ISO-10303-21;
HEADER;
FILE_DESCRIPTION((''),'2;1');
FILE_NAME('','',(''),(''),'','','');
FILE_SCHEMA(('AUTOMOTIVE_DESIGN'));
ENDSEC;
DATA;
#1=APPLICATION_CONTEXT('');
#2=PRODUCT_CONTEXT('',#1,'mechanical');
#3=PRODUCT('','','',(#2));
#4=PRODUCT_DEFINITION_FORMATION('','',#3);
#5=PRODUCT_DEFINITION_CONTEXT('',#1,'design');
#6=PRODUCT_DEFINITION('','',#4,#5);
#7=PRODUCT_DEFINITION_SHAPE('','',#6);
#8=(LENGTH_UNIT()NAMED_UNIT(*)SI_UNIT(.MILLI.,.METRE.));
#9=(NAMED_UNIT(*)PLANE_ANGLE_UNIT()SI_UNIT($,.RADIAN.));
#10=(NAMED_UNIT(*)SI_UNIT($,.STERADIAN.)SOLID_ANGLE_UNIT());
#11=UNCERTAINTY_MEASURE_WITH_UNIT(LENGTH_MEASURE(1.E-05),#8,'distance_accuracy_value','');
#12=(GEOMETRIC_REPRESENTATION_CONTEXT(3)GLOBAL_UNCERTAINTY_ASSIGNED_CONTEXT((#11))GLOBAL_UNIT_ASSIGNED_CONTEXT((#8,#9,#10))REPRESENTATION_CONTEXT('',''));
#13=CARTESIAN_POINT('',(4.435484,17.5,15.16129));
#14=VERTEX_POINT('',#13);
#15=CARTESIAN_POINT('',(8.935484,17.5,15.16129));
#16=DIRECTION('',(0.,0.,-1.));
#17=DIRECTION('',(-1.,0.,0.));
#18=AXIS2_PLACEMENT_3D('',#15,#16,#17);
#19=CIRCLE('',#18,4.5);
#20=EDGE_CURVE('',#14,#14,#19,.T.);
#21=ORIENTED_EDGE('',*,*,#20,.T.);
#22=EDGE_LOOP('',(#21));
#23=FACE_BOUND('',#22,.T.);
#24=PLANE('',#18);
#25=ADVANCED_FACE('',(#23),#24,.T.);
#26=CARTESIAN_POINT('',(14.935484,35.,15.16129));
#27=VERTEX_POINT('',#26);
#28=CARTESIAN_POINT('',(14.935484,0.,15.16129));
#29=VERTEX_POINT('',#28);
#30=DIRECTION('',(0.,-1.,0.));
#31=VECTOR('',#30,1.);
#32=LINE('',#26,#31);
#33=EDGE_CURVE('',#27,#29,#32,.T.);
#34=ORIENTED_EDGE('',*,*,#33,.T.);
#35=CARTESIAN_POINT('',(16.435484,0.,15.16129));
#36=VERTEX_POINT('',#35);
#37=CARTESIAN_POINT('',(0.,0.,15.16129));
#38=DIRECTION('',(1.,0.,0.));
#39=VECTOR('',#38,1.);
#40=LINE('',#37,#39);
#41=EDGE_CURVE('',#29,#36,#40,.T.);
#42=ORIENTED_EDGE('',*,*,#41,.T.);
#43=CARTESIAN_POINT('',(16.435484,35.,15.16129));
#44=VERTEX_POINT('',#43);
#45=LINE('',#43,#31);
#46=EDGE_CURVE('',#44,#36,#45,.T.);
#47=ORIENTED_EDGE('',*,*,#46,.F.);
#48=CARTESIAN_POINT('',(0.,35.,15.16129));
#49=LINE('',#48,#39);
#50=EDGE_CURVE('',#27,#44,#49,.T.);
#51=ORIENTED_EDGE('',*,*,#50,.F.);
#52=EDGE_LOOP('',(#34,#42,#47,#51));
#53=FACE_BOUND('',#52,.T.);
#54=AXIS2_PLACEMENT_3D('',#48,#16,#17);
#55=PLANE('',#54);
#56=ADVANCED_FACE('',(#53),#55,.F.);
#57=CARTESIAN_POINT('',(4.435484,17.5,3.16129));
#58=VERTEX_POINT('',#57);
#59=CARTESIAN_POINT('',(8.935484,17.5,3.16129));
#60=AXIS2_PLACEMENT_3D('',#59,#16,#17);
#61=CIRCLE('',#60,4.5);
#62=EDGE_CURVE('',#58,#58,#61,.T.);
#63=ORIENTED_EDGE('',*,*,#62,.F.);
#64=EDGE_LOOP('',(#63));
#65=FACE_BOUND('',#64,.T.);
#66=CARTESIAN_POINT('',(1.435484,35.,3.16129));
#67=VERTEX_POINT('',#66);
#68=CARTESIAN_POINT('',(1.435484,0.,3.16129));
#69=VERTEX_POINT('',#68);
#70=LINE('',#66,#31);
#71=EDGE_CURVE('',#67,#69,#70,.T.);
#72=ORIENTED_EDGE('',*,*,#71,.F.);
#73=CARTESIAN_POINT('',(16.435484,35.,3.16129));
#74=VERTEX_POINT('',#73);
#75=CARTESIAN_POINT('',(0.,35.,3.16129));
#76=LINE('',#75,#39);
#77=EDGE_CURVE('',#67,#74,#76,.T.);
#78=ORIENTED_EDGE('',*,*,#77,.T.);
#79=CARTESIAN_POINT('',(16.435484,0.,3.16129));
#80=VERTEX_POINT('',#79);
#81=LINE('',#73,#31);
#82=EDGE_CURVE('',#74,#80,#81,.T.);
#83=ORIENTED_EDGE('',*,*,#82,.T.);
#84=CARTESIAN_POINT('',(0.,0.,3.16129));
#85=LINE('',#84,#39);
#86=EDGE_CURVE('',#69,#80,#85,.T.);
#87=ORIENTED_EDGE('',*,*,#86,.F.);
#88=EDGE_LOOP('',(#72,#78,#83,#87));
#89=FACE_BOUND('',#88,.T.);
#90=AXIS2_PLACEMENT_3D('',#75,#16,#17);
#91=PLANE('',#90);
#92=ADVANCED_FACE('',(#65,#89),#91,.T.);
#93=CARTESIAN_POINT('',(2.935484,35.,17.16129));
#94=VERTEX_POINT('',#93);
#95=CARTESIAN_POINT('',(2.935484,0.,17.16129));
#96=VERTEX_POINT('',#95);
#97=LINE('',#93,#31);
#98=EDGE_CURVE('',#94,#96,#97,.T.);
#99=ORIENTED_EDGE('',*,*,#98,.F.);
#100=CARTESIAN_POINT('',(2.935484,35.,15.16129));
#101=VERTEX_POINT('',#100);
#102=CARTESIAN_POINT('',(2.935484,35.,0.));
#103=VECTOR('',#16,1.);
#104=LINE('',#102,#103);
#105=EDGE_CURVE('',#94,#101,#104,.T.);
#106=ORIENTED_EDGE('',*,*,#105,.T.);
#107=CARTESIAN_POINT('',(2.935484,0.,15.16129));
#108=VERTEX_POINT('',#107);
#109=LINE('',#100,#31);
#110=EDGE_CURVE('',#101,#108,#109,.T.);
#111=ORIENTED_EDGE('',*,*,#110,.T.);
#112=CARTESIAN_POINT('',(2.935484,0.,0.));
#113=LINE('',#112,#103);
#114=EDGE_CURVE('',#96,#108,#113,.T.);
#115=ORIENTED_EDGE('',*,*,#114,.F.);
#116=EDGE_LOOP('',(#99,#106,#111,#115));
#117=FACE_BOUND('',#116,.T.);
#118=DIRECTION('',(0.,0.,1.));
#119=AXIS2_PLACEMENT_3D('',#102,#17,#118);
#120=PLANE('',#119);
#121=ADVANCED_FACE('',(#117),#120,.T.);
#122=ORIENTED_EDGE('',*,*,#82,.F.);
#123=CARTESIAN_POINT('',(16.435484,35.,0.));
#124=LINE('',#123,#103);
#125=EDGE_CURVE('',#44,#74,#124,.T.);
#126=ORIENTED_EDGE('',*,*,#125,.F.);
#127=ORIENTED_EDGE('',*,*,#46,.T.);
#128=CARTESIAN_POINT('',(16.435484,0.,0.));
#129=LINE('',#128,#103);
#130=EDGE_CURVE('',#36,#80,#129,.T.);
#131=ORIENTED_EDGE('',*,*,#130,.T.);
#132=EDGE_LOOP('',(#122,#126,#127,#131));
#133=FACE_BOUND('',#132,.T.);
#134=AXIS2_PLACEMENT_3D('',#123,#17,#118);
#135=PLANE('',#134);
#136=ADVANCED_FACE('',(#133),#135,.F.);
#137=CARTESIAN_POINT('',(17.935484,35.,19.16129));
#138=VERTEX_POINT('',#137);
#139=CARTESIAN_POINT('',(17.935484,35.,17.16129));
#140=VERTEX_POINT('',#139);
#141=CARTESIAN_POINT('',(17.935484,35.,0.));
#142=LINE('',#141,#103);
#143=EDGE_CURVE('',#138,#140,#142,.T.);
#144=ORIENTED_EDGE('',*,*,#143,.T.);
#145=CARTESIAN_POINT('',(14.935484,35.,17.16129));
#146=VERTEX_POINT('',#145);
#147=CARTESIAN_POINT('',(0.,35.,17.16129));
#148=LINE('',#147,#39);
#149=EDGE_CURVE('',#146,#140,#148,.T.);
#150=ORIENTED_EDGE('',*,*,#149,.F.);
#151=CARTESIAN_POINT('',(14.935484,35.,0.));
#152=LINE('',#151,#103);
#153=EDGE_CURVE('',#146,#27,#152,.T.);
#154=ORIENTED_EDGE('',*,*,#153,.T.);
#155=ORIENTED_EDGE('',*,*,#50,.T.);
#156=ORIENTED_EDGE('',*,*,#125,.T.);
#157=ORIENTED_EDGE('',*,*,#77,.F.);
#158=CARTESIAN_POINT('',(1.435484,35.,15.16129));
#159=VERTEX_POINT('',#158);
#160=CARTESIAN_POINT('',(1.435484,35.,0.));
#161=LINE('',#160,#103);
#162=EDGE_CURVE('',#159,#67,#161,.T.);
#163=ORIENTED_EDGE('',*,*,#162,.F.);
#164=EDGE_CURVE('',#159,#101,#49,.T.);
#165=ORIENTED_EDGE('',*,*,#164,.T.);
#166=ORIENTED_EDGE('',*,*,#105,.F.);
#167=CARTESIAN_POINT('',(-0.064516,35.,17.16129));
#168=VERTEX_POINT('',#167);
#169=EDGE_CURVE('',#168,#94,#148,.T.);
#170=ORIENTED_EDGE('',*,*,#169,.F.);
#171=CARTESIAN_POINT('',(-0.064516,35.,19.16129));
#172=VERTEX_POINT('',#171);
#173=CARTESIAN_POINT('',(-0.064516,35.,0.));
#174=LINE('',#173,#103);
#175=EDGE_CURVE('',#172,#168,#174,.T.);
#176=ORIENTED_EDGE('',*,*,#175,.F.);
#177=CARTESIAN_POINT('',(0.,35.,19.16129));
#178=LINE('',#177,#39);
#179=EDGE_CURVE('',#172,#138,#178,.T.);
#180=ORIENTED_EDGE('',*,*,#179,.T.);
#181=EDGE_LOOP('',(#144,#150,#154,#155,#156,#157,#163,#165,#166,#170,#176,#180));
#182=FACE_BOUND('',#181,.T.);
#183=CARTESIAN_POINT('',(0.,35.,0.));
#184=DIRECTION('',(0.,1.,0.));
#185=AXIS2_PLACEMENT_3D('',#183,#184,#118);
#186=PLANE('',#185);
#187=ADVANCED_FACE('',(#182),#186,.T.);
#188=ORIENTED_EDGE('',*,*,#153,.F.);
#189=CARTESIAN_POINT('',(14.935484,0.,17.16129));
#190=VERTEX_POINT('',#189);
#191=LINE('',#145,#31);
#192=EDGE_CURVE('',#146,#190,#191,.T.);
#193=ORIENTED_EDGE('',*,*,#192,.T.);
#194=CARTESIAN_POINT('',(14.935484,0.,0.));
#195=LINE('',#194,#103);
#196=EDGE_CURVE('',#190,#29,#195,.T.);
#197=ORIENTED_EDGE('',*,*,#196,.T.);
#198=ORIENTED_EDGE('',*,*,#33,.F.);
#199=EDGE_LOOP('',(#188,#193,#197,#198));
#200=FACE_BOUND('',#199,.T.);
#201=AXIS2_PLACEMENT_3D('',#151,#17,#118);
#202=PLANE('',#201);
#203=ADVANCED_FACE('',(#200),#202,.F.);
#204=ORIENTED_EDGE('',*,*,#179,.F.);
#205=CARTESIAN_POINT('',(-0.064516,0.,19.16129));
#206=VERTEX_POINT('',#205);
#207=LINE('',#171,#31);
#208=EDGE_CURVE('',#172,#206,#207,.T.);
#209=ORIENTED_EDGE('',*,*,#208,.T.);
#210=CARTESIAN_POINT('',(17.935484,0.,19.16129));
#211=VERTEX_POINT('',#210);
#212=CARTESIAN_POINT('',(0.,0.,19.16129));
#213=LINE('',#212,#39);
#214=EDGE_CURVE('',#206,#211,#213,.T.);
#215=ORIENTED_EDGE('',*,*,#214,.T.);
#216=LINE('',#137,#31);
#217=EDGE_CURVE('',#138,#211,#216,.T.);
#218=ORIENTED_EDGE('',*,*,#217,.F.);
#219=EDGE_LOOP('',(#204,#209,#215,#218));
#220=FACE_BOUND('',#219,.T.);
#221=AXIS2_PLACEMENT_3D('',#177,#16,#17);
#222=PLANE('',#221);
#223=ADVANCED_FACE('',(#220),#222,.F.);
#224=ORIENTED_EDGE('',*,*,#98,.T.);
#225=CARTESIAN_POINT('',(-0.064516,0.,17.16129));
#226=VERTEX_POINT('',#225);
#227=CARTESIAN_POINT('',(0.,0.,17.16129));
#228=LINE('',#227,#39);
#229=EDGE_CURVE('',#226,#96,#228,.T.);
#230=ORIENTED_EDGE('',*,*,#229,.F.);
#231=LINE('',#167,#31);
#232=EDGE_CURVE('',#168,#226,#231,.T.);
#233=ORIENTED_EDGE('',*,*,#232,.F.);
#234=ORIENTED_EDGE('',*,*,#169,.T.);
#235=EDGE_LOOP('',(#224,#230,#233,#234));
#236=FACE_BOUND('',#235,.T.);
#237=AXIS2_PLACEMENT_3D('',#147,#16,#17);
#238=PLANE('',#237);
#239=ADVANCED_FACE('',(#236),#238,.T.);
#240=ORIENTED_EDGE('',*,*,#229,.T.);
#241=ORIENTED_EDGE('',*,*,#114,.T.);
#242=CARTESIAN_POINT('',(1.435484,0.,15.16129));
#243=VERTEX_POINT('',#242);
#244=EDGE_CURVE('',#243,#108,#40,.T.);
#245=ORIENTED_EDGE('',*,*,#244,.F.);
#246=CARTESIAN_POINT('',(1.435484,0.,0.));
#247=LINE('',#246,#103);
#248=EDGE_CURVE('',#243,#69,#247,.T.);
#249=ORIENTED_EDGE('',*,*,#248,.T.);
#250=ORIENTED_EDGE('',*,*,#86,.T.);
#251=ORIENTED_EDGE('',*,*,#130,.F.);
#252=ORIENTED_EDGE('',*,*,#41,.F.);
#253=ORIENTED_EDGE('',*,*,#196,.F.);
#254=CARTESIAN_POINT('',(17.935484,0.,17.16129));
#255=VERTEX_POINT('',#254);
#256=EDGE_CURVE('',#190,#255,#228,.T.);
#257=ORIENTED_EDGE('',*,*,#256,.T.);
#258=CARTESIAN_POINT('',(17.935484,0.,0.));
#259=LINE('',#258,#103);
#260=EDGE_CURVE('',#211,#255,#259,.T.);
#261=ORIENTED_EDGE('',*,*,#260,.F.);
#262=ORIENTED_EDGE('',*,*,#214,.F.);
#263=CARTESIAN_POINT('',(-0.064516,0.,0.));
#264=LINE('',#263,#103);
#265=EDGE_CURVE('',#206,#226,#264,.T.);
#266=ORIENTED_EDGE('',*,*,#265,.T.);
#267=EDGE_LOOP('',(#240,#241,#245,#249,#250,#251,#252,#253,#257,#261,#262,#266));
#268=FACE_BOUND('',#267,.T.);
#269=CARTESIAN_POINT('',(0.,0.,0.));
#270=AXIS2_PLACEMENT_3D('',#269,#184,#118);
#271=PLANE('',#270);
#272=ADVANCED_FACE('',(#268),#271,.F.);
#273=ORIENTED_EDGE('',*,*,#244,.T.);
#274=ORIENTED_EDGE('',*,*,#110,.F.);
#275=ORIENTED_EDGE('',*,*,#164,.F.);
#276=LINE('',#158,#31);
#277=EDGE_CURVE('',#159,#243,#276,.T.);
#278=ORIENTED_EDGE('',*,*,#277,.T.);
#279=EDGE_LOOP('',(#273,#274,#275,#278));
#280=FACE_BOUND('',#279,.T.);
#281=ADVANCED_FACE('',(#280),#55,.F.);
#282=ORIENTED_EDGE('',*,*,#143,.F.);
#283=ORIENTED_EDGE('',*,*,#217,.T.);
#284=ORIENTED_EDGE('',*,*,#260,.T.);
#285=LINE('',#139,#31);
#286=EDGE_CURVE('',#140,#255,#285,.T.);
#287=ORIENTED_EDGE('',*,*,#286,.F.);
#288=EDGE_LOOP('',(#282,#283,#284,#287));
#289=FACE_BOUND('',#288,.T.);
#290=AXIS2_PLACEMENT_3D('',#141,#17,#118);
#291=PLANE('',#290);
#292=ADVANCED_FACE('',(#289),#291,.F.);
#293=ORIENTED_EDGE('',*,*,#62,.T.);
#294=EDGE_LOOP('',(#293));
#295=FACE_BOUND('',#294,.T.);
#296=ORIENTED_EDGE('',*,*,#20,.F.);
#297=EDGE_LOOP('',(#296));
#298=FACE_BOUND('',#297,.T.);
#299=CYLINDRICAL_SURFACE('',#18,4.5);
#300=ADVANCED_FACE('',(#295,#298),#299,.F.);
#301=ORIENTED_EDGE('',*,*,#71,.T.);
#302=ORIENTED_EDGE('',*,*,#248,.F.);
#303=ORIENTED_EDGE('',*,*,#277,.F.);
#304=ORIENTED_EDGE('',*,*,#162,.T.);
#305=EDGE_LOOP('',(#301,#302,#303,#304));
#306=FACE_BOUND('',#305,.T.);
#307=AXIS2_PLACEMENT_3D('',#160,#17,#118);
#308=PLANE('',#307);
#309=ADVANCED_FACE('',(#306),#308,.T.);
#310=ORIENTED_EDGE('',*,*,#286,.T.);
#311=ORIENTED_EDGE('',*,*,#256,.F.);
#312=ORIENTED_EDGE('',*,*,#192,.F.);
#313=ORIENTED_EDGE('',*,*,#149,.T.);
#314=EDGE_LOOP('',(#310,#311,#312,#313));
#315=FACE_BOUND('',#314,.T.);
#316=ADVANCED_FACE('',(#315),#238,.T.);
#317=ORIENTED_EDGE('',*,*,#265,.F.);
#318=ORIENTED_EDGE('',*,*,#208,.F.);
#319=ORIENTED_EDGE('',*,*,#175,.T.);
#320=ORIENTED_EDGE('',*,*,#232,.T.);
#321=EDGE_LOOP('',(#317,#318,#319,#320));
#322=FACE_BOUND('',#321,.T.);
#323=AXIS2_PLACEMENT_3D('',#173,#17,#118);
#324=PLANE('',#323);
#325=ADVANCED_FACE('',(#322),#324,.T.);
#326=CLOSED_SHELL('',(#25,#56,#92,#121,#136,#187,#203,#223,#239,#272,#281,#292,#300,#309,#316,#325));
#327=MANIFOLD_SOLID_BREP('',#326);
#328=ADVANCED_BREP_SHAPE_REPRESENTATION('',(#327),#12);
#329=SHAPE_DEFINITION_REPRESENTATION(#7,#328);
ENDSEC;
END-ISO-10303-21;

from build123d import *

# Parameters (mm, degrees)
SKETCH1_W           = 6
SKETCH1_H           = 2
BOSS_EXTRUDE1_DEPTH = 35
SKETCH2_R           = 4.5
CUT_EXTRUDE1_DEPTH  = 12


with BuildPart() as part:
    # Sketch1 → Boss-Extrude1 (new body)
    with BuildSketch(Plane(origin=(0, 0, 0), x_dir=(1, 0, 0), z_dir=(0, 1, 0))):
        Polygon((1.435483871, -3.161290323), (1.435483871, -15.161290323), (2.935483871, -15.161290323), (8.935483871, -15.161290323), (8.935483871, -3.161290323), align=None)
        Polygon((16.435483871, -3.161290323), (8.935483871, -3.161290323), (8.935483871, -15.161290323), (14.935483871, -15.161290323), (16.435483871, -15.161290323), align=None)
        with Locations((11.935483871, -16.161290323)):
            Rectangle(SKETCH1_W, SKETCH1_H)
        with Locations((5.935483871, -16.161290323)):
            Rectangle(SKETCH1_W, SKETCH1_H)
        Polygon((8.935483871, -17.161290323), (2.935483871, -17.161290323), (-0.064516129, -17.161290323), (-0.064516129, -19.161290323), (8.935483871, -19.161290323), align=None)
        Polygon((14.935483871, -17.161290323), (8.935483871, -17.161290323), (8.935483871, -19.161290323), (17.935483871, -19.161290323), (17.935483871, -17.161290323), align=None)
    extrude(amount=BOSS_EXTRUDE1_DEPTH)

    # Sketch2 → Cut-Extrude1 (cut)
    with BuildSketch(Plane(origin=(0, 0, 3.161290323), x_dir=(-1, 0, 0), z_dir=(0, 0, -1))):
        with Locations((-8.935483871, 17.5)):
            Circle(SKETCH2_R)
    extrude(amount=-CUT_EXTRUDE1_DEPTH, mode=Mode.SUBTRACT)


solid = part.part
